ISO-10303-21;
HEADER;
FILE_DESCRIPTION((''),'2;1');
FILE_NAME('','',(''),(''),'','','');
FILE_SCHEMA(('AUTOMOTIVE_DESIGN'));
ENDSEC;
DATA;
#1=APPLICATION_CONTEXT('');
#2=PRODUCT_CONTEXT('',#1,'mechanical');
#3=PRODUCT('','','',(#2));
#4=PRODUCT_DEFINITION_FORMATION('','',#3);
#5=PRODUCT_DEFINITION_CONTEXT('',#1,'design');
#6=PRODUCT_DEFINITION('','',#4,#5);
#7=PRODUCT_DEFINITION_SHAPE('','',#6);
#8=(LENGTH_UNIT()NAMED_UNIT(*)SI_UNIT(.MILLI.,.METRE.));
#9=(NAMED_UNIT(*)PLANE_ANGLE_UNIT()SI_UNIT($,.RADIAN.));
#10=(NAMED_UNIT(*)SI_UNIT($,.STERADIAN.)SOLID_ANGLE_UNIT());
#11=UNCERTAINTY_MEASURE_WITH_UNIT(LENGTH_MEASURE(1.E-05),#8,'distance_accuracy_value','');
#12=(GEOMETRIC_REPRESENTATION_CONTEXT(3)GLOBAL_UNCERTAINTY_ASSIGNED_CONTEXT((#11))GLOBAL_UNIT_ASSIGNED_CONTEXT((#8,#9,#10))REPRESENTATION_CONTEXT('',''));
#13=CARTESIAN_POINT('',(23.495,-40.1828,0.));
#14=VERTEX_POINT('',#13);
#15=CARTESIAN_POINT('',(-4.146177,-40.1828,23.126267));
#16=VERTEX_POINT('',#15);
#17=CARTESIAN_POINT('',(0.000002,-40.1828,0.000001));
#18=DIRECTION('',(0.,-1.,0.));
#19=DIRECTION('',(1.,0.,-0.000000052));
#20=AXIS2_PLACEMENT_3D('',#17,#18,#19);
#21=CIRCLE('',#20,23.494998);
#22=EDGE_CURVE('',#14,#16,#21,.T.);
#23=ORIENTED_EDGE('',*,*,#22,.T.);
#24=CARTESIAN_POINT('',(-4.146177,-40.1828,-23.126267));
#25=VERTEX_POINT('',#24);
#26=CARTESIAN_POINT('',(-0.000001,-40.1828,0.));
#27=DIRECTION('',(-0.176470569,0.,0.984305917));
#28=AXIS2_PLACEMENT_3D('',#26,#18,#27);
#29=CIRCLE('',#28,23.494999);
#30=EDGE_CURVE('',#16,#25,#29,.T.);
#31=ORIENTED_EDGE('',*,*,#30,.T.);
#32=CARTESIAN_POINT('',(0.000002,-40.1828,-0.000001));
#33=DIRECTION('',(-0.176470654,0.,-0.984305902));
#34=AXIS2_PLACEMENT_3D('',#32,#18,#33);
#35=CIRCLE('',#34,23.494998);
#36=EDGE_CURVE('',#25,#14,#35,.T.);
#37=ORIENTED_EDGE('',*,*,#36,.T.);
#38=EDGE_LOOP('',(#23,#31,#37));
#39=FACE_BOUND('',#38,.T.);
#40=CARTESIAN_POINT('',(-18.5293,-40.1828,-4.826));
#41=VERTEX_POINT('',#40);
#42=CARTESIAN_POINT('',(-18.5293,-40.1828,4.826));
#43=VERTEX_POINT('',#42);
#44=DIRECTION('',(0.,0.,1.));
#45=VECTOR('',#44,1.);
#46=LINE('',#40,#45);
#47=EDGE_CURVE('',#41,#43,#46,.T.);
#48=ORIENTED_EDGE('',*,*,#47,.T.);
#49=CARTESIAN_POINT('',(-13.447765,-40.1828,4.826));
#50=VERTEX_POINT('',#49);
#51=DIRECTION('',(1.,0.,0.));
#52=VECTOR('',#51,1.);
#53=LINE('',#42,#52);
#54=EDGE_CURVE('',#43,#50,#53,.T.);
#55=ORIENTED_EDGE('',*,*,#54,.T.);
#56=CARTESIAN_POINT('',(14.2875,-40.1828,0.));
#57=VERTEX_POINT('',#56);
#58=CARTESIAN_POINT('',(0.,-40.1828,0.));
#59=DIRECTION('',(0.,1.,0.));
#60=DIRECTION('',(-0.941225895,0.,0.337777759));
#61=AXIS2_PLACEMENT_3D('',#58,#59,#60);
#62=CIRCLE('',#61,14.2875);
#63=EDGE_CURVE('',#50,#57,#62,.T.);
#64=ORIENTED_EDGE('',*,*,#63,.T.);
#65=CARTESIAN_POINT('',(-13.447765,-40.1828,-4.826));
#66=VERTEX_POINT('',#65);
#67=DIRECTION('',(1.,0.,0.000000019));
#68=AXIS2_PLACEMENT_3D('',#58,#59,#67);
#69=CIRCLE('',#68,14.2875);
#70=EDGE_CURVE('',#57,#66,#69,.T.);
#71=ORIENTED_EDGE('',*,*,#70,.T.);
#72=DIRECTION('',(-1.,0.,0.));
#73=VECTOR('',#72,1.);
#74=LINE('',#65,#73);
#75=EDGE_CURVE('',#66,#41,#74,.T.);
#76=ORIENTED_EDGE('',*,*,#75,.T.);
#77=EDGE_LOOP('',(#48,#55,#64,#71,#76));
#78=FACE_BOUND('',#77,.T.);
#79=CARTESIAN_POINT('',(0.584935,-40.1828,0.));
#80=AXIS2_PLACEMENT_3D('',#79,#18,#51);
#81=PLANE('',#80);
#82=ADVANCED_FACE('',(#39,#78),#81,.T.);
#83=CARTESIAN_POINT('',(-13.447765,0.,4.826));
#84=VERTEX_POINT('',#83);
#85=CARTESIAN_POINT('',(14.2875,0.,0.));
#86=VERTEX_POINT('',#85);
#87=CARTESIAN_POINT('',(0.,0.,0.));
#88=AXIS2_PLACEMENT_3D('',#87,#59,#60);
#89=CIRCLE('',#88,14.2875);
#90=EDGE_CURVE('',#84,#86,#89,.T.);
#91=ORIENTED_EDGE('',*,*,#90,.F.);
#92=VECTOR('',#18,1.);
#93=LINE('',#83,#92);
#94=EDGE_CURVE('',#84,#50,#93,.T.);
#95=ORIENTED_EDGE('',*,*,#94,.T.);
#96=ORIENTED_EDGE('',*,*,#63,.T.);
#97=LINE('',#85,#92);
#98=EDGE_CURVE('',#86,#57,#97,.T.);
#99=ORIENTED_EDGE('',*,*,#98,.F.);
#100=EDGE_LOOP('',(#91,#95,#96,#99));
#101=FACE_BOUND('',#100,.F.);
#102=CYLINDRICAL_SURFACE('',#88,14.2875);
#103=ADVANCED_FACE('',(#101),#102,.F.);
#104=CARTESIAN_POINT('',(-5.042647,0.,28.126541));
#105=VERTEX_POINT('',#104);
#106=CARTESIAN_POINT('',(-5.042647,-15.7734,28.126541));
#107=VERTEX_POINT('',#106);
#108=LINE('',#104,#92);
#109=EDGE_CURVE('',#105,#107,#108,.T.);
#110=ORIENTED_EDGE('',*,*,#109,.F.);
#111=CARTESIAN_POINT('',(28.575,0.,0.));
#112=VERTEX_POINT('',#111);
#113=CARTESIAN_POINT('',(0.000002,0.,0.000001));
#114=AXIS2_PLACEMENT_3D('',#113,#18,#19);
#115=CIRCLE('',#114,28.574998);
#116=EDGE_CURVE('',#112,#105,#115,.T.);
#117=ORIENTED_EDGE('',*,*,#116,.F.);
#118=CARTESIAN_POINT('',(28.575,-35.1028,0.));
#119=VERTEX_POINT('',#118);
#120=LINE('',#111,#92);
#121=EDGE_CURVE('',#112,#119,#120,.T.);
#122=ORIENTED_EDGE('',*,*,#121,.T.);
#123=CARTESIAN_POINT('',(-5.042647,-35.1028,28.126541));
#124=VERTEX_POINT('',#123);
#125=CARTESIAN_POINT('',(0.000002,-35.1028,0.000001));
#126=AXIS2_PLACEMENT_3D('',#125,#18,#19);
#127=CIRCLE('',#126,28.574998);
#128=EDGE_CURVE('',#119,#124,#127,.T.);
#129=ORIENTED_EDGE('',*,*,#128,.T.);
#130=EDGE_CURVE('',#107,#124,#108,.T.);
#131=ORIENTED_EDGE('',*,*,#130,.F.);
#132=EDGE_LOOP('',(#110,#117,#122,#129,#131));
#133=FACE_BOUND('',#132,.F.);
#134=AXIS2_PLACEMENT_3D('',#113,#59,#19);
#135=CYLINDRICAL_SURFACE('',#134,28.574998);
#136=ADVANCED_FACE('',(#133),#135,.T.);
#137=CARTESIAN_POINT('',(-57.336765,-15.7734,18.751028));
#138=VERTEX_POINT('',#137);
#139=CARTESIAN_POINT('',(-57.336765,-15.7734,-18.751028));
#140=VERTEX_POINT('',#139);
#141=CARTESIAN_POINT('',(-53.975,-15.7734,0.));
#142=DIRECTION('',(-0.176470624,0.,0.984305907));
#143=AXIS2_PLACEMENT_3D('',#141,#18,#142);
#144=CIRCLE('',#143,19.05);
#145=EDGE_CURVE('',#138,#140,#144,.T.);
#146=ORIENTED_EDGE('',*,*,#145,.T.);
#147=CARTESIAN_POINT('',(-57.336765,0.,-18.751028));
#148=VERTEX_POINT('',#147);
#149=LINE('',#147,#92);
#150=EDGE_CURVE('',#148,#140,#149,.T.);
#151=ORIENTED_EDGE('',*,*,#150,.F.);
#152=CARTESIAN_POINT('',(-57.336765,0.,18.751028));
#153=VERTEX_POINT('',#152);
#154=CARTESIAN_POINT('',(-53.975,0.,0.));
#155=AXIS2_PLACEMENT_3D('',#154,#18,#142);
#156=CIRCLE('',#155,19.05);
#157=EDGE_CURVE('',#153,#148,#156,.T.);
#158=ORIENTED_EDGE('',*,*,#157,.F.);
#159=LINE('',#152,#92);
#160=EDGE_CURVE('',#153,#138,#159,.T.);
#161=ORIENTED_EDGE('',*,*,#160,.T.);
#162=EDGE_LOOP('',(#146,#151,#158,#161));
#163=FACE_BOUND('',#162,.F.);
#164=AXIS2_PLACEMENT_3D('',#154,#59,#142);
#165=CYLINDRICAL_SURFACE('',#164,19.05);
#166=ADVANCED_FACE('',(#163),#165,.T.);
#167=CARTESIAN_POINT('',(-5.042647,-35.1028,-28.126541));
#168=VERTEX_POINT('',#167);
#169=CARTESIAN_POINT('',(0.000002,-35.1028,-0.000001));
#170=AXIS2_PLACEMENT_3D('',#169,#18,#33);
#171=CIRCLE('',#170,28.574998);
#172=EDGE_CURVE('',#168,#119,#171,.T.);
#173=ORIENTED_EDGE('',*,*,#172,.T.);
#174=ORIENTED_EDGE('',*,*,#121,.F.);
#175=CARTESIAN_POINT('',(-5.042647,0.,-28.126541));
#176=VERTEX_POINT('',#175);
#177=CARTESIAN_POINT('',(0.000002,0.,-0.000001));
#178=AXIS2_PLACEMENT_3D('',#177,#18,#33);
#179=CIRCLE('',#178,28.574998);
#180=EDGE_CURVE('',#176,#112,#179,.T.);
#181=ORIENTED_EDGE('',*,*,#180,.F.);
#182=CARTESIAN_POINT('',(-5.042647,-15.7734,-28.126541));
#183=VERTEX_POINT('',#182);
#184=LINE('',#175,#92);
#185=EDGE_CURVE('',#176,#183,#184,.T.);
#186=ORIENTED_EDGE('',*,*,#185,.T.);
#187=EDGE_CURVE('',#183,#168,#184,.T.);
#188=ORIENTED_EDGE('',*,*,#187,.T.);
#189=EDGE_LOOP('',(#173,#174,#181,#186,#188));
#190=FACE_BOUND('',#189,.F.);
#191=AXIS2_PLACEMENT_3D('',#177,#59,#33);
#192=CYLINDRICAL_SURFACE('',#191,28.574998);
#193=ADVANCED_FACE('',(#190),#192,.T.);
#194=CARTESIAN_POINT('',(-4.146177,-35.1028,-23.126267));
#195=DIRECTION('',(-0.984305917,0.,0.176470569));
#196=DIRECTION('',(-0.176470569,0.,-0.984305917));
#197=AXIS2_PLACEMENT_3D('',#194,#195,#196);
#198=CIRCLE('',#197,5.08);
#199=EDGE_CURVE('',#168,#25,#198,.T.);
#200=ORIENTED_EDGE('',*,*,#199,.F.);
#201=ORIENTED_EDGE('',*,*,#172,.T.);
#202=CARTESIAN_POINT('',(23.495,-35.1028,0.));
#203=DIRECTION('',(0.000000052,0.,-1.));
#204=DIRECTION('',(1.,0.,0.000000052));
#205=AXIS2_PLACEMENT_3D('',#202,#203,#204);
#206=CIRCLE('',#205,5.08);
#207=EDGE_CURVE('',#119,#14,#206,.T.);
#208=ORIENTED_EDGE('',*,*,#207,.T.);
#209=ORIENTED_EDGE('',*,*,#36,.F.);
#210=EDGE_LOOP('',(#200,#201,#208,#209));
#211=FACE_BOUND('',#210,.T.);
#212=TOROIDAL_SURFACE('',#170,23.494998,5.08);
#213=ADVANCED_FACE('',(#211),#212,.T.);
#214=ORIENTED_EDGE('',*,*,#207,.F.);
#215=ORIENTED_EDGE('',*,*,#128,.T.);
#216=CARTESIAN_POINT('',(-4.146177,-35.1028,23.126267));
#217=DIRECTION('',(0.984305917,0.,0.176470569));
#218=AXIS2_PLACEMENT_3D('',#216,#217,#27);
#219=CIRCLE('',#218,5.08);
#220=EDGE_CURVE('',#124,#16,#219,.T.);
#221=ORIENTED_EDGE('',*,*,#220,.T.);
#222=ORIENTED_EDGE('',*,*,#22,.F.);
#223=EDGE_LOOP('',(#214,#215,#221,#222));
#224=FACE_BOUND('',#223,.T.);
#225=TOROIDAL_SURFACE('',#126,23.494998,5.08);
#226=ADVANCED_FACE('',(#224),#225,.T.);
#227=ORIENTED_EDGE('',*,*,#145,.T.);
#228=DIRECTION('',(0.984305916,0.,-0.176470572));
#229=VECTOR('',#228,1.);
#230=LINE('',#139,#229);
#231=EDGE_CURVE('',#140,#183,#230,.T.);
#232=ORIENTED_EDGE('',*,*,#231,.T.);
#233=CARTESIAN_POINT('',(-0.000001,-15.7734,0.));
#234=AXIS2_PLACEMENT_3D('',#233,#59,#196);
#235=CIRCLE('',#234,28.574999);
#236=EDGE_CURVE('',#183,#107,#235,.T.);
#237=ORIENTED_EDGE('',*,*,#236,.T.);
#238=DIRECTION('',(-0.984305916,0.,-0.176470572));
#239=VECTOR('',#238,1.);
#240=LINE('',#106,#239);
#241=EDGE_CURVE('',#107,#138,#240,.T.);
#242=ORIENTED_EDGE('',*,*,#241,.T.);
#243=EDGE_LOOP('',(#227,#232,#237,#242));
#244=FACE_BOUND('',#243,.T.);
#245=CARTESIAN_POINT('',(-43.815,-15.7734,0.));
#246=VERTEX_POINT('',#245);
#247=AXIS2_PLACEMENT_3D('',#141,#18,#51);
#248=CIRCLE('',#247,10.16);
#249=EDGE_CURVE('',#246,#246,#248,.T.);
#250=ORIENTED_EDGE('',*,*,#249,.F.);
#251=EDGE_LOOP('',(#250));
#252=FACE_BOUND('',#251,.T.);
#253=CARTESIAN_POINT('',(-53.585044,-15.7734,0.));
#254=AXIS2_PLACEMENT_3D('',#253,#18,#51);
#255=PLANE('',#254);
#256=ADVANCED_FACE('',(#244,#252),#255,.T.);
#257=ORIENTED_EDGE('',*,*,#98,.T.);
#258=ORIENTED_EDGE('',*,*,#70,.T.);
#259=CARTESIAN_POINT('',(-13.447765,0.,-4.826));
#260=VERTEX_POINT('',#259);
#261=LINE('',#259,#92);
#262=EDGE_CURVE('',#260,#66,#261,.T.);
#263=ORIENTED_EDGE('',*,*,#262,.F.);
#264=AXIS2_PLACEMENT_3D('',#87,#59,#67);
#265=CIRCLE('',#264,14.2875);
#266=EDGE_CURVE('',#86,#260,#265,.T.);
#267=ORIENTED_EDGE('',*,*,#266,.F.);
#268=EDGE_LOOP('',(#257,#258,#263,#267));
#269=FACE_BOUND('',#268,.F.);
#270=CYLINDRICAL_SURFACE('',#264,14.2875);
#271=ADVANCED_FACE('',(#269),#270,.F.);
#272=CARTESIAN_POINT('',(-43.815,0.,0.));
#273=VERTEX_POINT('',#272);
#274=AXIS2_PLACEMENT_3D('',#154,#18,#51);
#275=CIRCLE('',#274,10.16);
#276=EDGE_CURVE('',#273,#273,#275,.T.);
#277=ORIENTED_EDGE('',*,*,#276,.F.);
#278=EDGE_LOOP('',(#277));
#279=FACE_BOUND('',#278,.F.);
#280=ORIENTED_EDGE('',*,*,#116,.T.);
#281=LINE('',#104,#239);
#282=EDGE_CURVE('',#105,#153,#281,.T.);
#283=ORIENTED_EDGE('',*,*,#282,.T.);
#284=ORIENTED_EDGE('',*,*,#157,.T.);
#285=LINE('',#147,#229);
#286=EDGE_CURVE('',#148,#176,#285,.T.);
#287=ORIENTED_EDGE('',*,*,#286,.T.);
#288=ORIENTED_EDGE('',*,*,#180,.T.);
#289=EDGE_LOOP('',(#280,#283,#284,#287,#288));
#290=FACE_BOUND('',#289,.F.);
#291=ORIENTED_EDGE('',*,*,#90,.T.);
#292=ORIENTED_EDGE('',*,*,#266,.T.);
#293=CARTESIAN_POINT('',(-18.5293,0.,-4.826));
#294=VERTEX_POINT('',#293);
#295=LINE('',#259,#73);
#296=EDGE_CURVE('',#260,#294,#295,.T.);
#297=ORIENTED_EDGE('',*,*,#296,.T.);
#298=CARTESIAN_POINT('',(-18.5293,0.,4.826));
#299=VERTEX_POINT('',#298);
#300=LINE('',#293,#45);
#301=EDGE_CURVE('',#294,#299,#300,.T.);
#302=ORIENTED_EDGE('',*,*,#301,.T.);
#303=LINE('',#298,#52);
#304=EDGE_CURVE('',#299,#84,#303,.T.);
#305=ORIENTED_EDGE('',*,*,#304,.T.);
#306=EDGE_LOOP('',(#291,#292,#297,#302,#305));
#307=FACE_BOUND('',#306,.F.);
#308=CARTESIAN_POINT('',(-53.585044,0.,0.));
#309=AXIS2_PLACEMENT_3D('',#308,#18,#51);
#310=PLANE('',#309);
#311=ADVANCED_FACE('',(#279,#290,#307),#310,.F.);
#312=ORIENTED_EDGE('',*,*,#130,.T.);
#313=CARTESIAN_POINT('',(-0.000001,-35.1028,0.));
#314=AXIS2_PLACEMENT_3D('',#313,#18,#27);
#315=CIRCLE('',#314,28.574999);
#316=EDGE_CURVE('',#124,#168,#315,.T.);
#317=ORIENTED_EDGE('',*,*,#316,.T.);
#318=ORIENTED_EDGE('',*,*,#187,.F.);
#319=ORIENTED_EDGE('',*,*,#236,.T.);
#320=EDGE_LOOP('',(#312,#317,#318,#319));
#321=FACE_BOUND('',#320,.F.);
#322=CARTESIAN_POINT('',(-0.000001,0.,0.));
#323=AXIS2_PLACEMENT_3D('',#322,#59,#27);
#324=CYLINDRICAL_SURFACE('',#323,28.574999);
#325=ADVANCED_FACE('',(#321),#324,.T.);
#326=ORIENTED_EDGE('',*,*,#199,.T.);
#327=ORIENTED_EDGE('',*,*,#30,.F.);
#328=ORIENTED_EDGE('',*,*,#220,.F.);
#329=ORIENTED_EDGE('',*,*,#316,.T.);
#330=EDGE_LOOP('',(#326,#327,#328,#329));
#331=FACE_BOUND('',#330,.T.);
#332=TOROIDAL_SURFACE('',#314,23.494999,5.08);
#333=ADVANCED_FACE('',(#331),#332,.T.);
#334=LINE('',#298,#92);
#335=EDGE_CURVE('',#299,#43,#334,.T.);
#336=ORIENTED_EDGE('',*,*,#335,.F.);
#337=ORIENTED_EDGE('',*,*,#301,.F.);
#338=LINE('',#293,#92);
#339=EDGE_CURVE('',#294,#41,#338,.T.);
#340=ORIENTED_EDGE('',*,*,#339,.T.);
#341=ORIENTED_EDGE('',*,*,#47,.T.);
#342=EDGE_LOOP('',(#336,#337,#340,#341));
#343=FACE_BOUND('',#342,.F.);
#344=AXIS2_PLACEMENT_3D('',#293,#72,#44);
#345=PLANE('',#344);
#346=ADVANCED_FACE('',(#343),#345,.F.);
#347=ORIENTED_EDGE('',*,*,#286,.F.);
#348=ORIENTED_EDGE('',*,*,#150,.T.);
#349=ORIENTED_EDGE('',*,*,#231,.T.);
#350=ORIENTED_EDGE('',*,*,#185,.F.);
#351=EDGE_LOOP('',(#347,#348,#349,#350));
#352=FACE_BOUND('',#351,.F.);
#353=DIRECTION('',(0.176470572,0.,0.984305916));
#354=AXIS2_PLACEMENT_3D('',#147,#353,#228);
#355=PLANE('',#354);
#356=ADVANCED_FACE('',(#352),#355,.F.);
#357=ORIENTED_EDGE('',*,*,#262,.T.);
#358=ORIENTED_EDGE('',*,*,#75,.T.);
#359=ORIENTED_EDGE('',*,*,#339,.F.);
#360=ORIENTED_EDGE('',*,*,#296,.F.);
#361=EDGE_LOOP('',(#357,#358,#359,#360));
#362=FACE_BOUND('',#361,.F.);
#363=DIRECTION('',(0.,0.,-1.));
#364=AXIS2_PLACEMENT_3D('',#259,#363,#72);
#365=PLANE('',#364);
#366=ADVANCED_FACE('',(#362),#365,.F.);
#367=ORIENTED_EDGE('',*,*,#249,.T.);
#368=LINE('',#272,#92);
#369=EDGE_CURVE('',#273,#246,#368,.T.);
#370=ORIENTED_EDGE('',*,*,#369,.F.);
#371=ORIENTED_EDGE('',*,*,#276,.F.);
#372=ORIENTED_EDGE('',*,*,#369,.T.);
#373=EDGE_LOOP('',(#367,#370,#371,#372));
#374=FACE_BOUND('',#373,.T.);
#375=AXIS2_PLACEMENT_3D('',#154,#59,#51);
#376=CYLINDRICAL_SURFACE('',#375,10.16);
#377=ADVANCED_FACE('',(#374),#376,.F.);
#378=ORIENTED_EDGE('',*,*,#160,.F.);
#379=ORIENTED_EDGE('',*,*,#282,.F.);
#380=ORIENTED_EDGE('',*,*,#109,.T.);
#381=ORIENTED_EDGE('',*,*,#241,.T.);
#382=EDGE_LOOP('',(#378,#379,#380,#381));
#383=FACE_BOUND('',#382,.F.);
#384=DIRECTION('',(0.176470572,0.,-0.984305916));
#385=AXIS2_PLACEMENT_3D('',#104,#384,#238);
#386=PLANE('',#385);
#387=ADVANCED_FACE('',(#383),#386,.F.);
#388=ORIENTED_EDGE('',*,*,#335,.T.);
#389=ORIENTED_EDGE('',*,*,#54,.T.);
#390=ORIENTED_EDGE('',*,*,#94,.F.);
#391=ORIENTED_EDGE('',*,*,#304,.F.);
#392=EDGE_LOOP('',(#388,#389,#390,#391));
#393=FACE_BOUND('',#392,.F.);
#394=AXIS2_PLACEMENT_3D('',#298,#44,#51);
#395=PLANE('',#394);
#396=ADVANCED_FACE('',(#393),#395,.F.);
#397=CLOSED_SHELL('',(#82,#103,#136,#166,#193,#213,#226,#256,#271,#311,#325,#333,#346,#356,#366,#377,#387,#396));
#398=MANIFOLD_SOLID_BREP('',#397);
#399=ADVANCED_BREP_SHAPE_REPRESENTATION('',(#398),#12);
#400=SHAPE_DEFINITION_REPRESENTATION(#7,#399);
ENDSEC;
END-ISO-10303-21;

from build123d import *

# Parameters (mm, degrees)
F1_DEPTH = 40.1828
F2_DEPTH = 15.7734
F0_R     = 10.16
F3_DEPTH = 15.7734
F4_R     = 5.08


with BuildPart() as f1:
    # F0 (on Front) → F1 (new body)
    with BuildSketch(Plane.XZ):
        with BuildLine():
            ThreePointArc((-5.042647, -28.126541), (18.336262, -21.916025), (28.575, 0))
            ThreePointArc((28.575, 0), (18.336262, 21.916025), (-5.042647, 28.126541))
            ThreePointArc((-5.042647, 28.126541), (-28.575, 0), (-5.042647, -28.126541))
        make_face()
        with BuildLine():
            ThreePointArc((-13.447765, 4.826), (2.449257, 14.076001), (14.2875, 0))
            ThreePointArc((14.2875, 0), (2.449257, -14.076001), (-13.447765, -4.826))
            Line((-13.447765, -4.826), (-18.5293, -4.826))
            Line((-18.5293, -4.826), (-18.5293, 4.826))
            Line((-18.5293, 4.826), (-13.447765, 4.826))
        make_face(mode=Mode.SUBTRACT)
    extrude(amount=F1_DEPTH)

    # F0 (on Front) → F2 (join)
    with BuildSketch(Plane.XZ):
        with BuildLine():
            ThreePointArc((-5.042647, -28.126541), (-28.575, 0), (-5.042647, 28.126541))
            Line((-5.042647, 28.126541), (-57.336765, 18.751028))
            ThreePointArc((-57.336765, 18.751028), (-41.750826, 14.610683), (-34.925, 0))
            ThreePointArc((-34.925, 0), (-41.750826, -14.610683), (-57.336765, -18.751028))
            Line((-57.336765, -18.751028), (-5.042647, -28.126541))
        make_face()
    extrude(amount=F2_DEPTH)

    # F0 (on Front) → F3 (join)
    with BuildSketch(Plane.XZ):
        with BuildLine():
            ThreePointArc((-34.925, 0), (-41.750826, 14.610683), (-57.336765, 18.751028))
            ThreePointArc((-57.336765, 18.751028), (-73.025, 0), (-57.336765, -18.751028))
            ThreePointArc((-57.336765, -18.751028), (-41.750826, -14.610683), (-34.925, 0))
        make_face()
        with Locations((-53.975, 0)):
            Circle(F0_R, mode=Mode.SUBTRACT)
    extrude(amount=F3_DEPTH)

    # F4
    f4_edges = [f1.edges().sort_by_distance(p)[0] for p in [
        (-28.575, -40.1828, 0),
    ]]
    fillet(f4_edges, radius=F4_R)


solid = f1.part
